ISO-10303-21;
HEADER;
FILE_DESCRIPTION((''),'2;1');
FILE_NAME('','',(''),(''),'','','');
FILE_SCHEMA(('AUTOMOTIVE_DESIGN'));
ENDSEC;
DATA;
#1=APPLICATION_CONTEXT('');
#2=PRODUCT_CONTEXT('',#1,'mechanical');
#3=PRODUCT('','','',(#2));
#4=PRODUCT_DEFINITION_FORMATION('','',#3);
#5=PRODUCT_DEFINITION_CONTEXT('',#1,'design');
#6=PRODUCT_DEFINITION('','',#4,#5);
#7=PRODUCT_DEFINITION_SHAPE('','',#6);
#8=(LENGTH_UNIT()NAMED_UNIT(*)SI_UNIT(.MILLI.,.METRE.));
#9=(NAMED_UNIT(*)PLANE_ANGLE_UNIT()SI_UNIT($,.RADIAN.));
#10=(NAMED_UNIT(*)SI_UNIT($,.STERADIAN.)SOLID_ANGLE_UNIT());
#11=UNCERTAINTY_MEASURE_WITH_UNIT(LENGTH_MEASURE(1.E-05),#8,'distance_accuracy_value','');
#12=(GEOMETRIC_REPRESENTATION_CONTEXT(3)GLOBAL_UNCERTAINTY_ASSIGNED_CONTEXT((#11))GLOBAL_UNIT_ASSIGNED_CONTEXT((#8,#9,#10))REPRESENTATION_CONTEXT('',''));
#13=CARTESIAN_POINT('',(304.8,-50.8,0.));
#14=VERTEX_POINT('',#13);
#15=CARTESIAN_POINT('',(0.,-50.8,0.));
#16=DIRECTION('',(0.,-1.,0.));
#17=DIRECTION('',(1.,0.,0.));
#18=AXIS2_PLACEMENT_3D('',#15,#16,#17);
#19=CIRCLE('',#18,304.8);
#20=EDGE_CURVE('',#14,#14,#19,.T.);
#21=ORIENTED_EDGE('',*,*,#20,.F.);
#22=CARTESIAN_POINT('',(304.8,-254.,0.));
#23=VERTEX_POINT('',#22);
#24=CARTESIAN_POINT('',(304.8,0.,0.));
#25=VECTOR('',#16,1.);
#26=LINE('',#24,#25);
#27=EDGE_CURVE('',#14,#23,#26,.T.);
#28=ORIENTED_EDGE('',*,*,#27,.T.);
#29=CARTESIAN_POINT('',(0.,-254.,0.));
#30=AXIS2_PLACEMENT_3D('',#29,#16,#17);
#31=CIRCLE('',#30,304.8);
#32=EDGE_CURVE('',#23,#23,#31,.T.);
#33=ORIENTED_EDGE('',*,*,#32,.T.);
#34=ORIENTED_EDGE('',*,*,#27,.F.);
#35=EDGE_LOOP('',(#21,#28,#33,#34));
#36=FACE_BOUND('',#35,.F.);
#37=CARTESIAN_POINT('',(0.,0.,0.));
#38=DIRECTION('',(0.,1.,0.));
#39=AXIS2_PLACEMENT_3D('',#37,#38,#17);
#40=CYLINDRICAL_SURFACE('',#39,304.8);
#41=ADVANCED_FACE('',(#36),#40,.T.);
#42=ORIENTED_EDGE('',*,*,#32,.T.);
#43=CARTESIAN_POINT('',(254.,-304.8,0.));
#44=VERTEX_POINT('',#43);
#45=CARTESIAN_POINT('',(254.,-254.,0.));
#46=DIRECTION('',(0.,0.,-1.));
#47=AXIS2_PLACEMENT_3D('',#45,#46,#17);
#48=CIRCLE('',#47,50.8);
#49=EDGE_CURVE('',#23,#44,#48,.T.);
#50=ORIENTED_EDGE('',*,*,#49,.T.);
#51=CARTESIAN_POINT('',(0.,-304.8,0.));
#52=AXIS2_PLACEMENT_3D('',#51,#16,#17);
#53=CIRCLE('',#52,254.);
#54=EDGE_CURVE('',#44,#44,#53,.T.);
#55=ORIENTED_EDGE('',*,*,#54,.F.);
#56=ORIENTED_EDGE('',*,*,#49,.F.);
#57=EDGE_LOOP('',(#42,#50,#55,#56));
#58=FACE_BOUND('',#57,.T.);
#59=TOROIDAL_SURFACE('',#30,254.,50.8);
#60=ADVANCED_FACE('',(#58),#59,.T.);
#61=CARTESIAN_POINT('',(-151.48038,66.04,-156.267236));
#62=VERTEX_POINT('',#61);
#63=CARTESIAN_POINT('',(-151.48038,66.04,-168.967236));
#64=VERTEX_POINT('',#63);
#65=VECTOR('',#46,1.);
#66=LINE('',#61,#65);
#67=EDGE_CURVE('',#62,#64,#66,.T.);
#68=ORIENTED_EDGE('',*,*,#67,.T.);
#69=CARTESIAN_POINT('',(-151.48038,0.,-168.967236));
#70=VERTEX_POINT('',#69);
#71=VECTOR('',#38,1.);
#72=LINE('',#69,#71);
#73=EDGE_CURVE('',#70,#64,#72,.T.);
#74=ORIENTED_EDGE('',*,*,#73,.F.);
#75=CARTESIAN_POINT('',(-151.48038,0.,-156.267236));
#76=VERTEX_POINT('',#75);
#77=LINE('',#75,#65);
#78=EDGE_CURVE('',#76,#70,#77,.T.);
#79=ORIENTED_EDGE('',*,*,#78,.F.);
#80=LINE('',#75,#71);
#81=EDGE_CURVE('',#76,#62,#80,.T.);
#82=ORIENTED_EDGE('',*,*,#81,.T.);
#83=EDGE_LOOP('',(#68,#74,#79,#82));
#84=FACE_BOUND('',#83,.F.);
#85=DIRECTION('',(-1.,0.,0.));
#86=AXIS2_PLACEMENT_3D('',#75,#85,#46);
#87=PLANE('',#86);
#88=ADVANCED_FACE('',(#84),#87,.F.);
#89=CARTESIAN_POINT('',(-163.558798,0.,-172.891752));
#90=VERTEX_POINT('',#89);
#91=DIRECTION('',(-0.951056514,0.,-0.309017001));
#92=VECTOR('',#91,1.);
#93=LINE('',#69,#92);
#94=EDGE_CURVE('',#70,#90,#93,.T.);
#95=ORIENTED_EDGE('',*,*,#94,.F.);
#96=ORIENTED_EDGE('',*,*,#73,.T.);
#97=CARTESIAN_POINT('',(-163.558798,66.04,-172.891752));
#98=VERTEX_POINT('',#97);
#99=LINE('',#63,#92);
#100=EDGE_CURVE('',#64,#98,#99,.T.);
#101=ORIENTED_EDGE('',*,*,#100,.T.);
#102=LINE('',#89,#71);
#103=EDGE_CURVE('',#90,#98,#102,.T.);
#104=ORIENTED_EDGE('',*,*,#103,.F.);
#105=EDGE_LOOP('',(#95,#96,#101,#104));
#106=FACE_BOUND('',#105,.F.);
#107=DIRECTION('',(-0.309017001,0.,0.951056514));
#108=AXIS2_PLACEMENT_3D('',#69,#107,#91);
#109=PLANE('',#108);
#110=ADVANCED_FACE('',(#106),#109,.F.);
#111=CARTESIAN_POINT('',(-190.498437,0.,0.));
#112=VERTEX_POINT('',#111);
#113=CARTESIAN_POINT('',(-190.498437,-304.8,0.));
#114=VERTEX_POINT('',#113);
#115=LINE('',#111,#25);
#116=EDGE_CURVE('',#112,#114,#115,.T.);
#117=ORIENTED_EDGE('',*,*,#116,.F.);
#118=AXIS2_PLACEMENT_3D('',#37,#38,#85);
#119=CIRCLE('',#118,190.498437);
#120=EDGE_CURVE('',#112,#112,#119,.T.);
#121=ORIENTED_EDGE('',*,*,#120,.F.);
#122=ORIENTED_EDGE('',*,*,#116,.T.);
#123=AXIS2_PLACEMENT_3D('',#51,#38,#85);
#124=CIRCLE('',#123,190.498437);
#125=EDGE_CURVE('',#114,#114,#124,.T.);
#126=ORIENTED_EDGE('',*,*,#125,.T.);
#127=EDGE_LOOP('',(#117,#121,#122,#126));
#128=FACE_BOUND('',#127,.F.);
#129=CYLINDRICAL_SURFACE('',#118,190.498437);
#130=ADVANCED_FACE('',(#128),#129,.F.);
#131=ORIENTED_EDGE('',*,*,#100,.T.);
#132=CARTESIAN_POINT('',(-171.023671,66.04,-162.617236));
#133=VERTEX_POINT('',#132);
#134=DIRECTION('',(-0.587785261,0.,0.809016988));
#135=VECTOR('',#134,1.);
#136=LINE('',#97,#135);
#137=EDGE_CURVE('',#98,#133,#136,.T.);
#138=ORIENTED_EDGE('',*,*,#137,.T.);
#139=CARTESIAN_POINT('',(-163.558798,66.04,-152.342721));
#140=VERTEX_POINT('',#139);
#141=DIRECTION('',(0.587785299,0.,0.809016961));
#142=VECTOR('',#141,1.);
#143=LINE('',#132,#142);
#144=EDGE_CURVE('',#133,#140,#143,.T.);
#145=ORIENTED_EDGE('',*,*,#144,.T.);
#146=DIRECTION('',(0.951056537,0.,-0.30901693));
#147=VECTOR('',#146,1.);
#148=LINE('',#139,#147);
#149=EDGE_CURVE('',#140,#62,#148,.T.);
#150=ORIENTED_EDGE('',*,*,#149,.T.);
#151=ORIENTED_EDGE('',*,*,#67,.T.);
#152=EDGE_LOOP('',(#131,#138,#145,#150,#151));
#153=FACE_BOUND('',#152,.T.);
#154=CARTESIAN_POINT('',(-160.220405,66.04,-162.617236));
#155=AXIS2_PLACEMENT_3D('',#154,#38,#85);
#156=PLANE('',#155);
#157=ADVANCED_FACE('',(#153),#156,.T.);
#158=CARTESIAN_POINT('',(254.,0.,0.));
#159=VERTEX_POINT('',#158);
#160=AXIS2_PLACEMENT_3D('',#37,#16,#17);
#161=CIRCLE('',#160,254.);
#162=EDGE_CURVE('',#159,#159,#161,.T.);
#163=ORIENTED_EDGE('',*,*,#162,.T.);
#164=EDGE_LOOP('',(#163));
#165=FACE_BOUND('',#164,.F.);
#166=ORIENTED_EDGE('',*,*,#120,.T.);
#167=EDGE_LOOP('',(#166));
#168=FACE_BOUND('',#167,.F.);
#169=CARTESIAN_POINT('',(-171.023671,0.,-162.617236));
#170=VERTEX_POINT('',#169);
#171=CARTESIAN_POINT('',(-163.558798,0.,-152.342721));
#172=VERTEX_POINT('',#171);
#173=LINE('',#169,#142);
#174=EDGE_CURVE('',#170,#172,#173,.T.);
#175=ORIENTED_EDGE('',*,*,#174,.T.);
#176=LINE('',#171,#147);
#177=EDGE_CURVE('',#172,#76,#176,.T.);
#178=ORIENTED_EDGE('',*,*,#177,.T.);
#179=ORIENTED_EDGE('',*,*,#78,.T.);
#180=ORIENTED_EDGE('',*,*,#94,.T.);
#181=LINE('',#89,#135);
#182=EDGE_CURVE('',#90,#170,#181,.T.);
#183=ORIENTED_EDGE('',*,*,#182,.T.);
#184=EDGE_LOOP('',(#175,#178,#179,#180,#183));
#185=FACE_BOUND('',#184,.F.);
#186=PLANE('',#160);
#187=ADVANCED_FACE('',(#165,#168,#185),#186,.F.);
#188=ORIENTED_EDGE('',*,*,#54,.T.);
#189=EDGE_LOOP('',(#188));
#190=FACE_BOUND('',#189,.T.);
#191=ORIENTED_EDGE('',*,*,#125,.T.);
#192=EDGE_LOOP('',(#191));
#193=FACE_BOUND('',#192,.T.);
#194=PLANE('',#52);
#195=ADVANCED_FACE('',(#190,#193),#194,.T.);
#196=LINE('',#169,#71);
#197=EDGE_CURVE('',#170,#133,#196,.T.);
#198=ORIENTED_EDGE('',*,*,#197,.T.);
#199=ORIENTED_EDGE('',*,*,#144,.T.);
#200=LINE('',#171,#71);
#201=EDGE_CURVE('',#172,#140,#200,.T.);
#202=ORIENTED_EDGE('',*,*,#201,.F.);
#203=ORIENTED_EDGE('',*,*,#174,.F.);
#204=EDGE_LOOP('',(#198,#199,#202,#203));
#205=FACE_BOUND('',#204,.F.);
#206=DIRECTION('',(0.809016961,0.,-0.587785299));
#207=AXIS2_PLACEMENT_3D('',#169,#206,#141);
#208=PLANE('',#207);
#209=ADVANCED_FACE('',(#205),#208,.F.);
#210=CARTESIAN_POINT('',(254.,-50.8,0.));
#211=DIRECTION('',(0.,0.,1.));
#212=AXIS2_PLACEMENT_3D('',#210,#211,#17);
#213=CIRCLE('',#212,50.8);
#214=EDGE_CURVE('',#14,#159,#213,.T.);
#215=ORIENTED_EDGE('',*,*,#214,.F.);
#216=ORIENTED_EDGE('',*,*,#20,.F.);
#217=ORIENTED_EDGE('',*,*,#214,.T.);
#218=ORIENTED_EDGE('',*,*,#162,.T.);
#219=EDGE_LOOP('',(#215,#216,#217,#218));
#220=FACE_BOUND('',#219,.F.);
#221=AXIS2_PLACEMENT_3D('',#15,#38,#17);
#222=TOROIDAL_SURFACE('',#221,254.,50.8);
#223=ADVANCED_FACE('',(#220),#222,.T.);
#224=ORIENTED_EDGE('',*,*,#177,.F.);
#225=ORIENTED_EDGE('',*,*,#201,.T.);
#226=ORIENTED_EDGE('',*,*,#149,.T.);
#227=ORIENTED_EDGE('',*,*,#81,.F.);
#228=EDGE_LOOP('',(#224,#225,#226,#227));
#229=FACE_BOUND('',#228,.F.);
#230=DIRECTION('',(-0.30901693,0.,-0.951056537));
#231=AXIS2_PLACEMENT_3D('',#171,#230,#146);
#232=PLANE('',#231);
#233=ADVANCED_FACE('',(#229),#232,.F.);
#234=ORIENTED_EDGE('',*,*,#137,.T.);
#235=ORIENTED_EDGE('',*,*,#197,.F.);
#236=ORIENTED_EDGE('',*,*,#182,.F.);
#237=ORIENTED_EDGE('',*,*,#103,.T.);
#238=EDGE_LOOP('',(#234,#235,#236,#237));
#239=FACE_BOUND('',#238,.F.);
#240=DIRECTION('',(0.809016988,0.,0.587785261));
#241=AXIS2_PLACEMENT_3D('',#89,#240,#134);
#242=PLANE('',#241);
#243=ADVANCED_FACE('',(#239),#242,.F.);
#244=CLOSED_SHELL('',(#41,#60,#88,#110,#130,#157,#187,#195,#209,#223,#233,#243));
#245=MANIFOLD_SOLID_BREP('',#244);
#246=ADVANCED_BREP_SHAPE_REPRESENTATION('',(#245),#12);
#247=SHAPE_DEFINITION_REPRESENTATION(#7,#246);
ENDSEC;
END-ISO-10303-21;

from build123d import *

# Parameters (mm, degrees)
F0_R     = 304.8
F1_DEPTH = 304.8
F2_R     = 190.498437
F3_DEPTH = 645.16
F4_R     = 50.8
F6_DEPTH = 66.04


with BuildPart() as f1:
    # F0 (on Front) → F1 (new body)
    with BuildSketch(Plane.XZ):
        Circle(F0_R)
    extrude(amount=F1_DEPTH)

    # F2 (on face) → F3 (cut)
    with BuildSketch(Plane(origin=(0, 0, 0), x_dir=(-1, 0, 0), z_dir=(0, 1, 0))):
        Circle(F2_R)
    extrude(amount=-F3_DEPTH, mode=Mode.SUBTRACT)

    # F4
    f4_edges = [f1.edges().sort_by_distance(p)[0] for p in [
        (-304.8, -304.8, 0),
        (-304.8, 0, 0),
    ]]
    fillet(f4_edges, radius=F4_R)

    # F5 (on face) → F6 (join)
    with BuildSketch(Plane(origin=(0, 0, 0), x_dir=(-1, 0, 0), z_dir=(0, 1, 0))):
        Polygon((151.48038, -156.267236), (151.48038, -168.967236), (163.558798, -172.891752), (171.023671, -162.617236), (163.558798, -152.342721), align=None)
    extrude(amount=F6_DEPTH)


solid = f1.part
